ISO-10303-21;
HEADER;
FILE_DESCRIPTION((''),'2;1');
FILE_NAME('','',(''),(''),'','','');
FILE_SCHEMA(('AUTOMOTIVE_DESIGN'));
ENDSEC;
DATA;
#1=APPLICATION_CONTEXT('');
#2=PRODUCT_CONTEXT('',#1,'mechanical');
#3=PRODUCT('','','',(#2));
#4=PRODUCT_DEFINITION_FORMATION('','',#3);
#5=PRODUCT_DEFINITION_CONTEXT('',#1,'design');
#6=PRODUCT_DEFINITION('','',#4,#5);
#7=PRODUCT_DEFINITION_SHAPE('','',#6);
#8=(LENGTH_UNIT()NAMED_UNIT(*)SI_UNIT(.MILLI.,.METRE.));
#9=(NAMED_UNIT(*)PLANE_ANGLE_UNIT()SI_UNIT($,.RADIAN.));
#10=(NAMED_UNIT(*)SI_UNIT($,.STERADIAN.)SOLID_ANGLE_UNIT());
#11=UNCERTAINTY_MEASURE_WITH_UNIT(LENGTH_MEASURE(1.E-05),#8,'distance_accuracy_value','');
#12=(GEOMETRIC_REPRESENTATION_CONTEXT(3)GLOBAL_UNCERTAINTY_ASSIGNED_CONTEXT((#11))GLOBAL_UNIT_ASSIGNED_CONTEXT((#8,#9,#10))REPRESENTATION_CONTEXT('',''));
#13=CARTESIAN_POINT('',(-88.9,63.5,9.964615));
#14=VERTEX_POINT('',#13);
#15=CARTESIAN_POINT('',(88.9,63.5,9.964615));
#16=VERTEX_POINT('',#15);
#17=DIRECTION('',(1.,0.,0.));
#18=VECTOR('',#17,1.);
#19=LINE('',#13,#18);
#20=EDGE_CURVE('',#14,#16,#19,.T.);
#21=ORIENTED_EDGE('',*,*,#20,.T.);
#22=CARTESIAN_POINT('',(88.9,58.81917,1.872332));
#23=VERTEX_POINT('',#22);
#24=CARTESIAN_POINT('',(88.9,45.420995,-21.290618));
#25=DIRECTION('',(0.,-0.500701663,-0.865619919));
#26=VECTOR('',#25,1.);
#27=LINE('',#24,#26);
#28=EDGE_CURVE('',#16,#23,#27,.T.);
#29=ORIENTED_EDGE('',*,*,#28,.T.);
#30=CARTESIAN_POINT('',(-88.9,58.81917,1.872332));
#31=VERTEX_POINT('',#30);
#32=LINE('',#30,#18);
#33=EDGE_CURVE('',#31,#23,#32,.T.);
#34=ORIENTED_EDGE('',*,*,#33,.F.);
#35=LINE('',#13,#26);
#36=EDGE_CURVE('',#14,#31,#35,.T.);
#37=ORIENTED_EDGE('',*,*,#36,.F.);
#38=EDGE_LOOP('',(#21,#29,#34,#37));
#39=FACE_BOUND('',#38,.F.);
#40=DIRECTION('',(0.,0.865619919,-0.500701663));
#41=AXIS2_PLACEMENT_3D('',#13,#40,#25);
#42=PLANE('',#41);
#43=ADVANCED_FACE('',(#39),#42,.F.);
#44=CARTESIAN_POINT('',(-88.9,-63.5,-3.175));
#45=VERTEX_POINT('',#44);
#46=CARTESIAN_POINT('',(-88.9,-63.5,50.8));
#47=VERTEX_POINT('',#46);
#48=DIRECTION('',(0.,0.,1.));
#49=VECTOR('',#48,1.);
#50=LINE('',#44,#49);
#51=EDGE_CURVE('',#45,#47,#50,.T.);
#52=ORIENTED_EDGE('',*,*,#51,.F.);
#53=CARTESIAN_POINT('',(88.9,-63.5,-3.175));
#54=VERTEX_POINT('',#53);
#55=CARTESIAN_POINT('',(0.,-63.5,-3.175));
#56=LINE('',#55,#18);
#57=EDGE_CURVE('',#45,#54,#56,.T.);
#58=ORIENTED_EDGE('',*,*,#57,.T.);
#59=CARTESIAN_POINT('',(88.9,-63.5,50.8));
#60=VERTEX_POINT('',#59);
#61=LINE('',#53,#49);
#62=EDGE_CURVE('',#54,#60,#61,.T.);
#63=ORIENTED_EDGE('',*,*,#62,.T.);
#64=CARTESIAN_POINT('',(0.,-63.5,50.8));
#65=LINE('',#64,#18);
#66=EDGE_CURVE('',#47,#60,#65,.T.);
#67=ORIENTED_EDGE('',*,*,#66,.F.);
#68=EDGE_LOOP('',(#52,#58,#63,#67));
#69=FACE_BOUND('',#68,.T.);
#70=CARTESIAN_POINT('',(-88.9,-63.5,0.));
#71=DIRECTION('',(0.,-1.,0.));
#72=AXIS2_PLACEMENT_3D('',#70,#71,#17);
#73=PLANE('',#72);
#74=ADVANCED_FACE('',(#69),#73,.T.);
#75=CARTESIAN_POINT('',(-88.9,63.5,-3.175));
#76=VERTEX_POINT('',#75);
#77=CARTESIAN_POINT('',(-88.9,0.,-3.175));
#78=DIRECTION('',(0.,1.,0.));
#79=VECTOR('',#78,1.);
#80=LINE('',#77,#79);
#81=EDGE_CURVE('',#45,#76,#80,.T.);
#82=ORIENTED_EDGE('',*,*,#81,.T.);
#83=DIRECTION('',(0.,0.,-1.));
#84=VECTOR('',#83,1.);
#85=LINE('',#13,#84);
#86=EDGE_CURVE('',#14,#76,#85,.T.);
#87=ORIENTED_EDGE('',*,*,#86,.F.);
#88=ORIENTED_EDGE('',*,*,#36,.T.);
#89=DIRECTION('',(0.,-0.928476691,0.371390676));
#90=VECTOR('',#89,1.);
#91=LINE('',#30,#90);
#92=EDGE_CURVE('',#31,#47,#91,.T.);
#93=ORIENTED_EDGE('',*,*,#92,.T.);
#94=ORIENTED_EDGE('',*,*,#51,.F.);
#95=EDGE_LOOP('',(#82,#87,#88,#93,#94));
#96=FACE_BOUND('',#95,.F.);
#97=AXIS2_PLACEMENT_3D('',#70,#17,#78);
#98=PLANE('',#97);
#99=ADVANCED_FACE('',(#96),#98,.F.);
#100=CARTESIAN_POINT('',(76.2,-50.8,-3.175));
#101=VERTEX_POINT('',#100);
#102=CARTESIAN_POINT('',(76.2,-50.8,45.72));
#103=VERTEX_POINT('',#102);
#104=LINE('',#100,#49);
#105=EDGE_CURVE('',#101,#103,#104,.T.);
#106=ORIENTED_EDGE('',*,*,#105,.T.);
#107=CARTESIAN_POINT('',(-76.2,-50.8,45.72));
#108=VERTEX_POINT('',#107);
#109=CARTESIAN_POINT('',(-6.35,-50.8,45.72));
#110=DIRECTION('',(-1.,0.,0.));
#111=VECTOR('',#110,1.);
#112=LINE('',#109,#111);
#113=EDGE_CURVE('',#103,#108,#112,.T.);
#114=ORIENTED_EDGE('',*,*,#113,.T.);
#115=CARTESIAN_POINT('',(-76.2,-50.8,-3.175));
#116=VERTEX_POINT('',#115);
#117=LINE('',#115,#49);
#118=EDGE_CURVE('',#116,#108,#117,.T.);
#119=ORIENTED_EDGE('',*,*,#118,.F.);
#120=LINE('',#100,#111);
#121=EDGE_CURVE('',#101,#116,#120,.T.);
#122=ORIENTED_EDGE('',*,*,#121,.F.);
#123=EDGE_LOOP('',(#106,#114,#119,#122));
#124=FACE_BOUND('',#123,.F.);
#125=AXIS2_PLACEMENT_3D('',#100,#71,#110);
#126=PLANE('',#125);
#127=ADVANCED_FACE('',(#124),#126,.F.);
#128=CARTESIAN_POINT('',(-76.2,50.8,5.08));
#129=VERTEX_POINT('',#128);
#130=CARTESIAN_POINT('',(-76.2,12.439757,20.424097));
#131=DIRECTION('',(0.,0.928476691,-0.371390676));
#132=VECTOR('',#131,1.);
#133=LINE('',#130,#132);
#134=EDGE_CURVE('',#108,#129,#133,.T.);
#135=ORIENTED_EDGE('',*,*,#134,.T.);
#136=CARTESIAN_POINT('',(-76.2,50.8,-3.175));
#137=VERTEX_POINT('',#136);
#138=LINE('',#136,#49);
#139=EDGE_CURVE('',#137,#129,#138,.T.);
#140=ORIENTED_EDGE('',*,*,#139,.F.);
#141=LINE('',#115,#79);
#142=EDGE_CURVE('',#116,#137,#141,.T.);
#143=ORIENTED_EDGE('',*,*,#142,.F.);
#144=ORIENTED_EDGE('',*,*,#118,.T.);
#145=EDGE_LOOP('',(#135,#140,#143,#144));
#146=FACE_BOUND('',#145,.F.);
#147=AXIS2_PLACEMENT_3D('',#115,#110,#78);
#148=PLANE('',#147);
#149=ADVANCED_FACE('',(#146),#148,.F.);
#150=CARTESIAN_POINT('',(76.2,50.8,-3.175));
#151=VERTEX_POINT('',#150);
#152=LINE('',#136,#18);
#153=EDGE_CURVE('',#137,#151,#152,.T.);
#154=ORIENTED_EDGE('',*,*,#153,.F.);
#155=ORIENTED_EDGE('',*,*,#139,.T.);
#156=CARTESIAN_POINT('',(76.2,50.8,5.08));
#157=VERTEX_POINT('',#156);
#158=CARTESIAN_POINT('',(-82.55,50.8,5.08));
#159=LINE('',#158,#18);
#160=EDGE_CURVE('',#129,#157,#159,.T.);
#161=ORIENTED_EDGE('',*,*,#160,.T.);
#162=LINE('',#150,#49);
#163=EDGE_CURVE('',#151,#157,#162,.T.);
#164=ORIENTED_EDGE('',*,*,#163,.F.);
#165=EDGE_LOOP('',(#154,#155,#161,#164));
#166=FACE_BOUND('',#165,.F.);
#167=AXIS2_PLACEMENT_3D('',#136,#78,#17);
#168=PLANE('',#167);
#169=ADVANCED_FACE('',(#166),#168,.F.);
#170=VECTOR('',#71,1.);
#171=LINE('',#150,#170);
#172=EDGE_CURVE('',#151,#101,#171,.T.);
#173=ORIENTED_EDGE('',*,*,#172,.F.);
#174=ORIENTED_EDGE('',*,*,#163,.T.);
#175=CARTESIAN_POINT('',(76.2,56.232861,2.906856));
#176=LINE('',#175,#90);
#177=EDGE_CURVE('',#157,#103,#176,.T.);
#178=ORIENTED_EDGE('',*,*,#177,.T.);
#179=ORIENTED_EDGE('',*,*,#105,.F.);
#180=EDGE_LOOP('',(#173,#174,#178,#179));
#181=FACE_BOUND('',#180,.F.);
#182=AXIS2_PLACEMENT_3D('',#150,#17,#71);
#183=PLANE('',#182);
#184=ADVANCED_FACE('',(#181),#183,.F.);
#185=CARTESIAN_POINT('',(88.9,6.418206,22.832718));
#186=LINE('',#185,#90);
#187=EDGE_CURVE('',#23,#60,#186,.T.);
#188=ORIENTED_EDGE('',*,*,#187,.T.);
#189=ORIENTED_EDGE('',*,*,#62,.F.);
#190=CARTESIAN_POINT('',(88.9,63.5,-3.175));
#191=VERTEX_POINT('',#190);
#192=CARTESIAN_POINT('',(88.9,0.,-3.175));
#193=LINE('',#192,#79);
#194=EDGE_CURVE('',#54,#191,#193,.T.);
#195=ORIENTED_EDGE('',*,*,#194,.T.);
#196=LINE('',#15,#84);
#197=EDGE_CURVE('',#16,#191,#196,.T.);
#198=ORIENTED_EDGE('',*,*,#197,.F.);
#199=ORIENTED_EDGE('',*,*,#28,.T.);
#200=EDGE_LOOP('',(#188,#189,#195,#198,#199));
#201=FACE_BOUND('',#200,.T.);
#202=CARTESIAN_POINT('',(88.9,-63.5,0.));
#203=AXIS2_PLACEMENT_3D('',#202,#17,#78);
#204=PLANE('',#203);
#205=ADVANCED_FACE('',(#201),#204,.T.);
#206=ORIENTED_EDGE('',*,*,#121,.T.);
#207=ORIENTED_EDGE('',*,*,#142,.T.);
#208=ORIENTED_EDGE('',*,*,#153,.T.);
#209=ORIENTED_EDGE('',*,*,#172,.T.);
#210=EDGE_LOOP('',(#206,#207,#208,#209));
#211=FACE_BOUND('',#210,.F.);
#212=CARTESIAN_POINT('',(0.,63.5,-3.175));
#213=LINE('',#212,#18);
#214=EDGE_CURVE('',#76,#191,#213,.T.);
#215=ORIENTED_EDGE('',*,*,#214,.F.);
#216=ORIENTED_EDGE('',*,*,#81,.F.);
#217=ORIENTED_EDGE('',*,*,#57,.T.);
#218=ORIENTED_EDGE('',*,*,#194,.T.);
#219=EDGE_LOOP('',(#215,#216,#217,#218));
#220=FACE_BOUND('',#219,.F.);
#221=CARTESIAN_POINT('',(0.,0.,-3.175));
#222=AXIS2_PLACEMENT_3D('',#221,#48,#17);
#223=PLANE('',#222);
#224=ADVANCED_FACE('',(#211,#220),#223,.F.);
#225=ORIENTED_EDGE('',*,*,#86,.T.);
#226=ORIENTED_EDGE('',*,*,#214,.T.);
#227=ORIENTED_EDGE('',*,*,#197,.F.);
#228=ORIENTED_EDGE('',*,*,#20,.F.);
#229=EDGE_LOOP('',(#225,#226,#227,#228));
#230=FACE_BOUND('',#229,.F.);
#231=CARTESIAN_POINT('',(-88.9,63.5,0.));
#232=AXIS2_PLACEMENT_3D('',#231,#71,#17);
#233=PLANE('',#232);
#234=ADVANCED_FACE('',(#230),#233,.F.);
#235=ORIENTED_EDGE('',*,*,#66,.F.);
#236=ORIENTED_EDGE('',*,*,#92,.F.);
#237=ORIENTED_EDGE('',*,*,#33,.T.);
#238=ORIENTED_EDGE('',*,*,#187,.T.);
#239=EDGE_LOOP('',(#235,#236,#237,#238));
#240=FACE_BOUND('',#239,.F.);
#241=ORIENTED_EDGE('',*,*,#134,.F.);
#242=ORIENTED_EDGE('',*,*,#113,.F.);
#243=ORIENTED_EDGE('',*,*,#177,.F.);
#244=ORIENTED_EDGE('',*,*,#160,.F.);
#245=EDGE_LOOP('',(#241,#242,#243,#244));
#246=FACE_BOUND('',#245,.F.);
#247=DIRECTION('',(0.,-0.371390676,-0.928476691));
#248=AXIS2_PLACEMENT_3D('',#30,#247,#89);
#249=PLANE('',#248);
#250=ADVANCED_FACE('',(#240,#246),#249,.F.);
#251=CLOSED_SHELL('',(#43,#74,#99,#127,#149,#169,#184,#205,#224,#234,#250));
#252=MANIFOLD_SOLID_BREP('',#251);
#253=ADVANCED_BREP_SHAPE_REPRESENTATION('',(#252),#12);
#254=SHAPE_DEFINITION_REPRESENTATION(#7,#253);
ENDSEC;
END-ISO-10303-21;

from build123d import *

# Parameters (mm, degrees)
F0_W     = 177.8
F0_H     = 127
F1_DEPTH = 50.8
F3_DEPTH = 2514.6
F4_DEPTH = 3.175
F6_DEPTH = 2514.6


with BuildPart() as f1:
    # F0 (on Top) → F1 (new body)
    with BuildSketch(Plane.XY):
        Rectangle(F0_W, F0_H)
    extrude(amount=F1_DEPTH)

    # F2 (on face) → F3 (cut)
    with BuildSketch(Plane(origin=(-88.9, 0, 0), x_dir=(0, -1, 0), z_dir=(-1, 0, 0))):
        Polygon((-63.5, 9.9646151066), (-58.8191700766, 1.8723319694), (63.5, 50.8), (-63.5, 50.8), align=None)
    extrude(amount=-F3_DEPTH, mode=Mode.SUBTRACT)

    # F4 (add): a face of the model
    f4_faces = [f1.faces().sort_by_distance(p)[0] for p in [
        (0, 0, 0),
    ]]
    extrude(f4_faces, amount=F4_DEPTH)

    # F5 (on face) → F6 (cut)
    with BuildSketch(Plane(origin=(0, 0, -3.175), x_dir=(1, 0, 0), z_dir=(0, 0, -1))):
        Polygon((-76.2, -50.8), (76.2, -50.8), (76.2, 0), (76.2, 50.8), (0, 50.8), (-76.2, 50.8), align=None)
    extrude(amount=-F6_DEPTH, mode=Mode.SUBTRACT)


solid = f1.part
